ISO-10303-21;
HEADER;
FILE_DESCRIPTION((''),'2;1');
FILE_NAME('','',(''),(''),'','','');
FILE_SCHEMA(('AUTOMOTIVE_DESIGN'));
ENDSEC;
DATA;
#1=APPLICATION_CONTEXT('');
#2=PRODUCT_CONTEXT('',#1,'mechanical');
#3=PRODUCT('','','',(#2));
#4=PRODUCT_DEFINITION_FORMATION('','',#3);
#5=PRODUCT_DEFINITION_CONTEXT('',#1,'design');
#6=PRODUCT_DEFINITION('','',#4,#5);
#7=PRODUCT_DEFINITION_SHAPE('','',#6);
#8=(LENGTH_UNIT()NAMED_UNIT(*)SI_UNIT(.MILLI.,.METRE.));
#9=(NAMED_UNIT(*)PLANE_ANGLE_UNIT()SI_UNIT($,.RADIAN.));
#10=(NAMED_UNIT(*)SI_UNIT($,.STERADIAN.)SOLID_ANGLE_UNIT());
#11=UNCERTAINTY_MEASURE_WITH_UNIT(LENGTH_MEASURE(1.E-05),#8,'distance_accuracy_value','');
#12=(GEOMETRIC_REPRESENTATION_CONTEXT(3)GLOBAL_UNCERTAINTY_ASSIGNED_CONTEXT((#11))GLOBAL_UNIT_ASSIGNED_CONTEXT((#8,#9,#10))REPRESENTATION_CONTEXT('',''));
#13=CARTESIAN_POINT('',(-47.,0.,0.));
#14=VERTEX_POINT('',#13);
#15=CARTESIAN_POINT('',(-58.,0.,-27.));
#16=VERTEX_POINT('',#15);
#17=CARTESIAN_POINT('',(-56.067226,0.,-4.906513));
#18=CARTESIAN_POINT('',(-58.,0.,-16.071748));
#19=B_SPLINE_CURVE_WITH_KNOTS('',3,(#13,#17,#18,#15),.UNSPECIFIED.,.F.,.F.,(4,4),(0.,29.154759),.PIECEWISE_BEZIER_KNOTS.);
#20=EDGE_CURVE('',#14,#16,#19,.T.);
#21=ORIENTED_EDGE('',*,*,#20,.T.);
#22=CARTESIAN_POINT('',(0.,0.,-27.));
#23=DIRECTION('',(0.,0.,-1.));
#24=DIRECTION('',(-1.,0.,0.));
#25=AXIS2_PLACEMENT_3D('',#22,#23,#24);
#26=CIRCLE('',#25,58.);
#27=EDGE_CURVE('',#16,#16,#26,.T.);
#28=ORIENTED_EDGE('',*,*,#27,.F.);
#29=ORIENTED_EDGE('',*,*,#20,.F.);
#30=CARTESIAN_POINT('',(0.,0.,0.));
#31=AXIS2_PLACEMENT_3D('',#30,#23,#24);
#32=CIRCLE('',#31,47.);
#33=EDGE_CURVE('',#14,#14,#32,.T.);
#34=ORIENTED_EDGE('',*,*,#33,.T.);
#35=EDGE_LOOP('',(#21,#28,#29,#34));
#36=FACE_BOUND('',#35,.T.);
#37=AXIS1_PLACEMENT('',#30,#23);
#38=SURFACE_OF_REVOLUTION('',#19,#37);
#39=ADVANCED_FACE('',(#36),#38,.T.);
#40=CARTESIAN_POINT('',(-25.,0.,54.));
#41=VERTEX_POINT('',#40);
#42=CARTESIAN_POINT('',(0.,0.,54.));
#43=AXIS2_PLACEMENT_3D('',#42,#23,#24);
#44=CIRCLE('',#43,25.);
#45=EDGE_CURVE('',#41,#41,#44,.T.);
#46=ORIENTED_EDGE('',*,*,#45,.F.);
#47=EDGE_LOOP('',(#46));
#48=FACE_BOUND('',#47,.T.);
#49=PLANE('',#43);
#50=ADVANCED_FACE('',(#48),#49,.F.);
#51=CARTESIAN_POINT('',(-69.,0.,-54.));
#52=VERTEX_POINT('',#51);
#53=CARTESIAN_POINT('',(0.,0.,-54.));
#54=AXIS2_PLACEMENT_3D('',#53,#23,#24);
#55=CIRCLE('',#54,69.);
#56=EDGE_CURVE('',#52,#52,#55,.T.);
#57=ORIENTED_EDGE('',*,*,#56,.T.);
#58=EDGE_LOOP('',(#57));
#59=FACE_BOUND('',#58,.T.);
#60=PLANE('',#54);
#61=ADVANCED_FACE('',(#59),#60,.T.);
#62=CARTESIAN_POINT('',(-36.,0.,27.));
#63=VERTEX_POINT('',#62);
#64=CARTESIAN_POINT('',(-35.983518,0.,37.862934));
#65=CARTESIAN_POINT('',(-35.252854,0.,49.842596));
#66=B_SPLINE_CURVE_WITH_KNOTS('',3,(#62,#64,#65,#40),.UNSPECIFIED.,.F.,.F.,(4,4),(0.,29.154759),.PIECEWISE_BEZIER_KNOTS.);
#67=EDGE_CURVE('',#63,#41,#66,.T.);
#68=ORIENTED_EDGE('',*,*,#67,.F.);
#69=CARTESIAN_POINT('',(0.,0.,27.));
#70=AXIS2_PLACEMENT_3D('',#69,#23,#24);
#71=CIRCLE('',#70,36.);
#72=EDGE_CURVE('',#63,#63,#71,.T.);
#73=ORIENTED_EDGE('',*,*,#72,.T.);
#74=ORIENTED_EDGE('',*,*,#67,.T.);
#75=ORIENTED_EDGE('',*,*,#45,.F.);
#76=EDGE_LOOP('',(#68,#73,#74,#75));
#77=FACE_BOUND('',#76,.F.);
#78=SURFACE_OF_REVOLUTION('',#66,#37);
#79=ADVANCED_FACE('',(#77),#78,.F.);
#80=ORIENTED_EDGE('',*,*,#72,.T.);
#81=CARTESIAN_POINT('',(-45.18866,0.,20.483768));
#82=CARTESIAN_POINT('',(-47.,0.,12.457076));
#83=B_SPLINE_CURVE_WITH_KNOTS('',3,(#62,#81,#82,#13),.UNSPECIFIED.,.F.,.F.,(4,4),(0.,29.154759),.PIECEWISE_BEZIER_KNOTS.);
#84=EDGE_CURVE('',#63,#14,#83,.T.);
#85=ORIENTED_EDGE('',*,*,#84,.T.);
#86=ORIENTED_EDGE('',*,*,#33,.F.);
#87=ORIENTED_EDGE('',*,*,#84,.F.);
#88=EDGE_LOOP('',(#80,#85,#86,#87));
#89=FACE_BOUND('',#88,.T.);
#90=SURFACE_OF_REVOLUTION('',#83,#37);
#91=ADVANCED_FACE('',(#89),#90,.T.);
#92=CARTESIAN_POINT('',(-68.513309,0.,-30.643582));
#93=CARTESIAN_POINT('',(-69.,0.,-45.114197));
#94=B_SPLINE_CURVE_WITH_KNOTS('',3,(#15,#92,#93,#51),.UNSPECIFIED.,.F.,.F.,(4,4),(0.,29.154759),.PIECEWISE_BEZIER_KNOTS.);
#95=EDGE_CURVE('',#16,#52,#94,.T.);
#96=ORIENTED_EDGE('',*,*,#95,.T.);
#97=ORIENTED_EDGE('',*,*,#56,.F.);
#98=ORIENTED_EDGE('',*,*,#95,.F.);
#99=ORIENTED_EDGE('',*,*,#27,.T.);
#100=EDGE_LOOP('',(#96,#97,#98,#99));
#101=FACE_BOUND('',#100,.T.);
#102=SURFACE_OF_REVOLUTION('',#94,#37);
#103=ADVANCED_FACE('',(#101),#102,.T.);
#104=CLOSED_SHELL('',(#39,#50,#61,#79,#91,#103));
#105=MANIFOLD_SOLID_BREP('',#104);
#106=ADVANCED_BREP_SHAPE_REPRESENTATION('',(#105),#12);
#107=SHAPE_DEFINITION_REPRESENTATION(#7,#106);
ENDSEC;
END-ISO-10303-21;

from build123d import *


with BuildPart() as f2:
    # F0 (on Front) → F2 (revolve)
    with BuildSketch(Plane.XZ):
        with BuildLine():
            Line((0, -54), (0, 54))
            Line((0, 54), (-25, 54))
            add(Edge.make_bspline(
                [(-36, 27), (-35.983518, 37.862934), (-35.252854, 49.842596), (-25, 54)],
                knots=[0, 0, 0, 0, 29.154759, 29.154759, 29.154759, 29.154759], degree=3))
            add(Edge.make_bspline(
                [(-36, 27), (-45.18866, 20.483768), (-47, 12.457076), (-47, 0)],
                knots=[0, 0, 0, 0, 29.154759, 29.154759, 29.154759, 29.154759], degree=3))
            add(Edge.make_bspline(
                [(-47, 0), (-56.067226, -4.906513), (-58, -16.071748), (-58, -27)],
                knots=[0, 0, 0, 0, 29.154759, 29.154759, 29.154759, 29.154759], degree=3))
            add(Edge.make_bspline(
                [(-58, -27), (-68.513309, -30.643582), (-69, -45.114197), (-69, -54)],
                knots=[0, 0, 0, 0, 29.154759, 29.154759, 29.154759, 29.154759], degree=3))
            Line((-69, -54), (0, -54))
        make_face()
    revolve(axis=Axis((0, 0, 0), (0, 0, -1)))


solid = f2.part
